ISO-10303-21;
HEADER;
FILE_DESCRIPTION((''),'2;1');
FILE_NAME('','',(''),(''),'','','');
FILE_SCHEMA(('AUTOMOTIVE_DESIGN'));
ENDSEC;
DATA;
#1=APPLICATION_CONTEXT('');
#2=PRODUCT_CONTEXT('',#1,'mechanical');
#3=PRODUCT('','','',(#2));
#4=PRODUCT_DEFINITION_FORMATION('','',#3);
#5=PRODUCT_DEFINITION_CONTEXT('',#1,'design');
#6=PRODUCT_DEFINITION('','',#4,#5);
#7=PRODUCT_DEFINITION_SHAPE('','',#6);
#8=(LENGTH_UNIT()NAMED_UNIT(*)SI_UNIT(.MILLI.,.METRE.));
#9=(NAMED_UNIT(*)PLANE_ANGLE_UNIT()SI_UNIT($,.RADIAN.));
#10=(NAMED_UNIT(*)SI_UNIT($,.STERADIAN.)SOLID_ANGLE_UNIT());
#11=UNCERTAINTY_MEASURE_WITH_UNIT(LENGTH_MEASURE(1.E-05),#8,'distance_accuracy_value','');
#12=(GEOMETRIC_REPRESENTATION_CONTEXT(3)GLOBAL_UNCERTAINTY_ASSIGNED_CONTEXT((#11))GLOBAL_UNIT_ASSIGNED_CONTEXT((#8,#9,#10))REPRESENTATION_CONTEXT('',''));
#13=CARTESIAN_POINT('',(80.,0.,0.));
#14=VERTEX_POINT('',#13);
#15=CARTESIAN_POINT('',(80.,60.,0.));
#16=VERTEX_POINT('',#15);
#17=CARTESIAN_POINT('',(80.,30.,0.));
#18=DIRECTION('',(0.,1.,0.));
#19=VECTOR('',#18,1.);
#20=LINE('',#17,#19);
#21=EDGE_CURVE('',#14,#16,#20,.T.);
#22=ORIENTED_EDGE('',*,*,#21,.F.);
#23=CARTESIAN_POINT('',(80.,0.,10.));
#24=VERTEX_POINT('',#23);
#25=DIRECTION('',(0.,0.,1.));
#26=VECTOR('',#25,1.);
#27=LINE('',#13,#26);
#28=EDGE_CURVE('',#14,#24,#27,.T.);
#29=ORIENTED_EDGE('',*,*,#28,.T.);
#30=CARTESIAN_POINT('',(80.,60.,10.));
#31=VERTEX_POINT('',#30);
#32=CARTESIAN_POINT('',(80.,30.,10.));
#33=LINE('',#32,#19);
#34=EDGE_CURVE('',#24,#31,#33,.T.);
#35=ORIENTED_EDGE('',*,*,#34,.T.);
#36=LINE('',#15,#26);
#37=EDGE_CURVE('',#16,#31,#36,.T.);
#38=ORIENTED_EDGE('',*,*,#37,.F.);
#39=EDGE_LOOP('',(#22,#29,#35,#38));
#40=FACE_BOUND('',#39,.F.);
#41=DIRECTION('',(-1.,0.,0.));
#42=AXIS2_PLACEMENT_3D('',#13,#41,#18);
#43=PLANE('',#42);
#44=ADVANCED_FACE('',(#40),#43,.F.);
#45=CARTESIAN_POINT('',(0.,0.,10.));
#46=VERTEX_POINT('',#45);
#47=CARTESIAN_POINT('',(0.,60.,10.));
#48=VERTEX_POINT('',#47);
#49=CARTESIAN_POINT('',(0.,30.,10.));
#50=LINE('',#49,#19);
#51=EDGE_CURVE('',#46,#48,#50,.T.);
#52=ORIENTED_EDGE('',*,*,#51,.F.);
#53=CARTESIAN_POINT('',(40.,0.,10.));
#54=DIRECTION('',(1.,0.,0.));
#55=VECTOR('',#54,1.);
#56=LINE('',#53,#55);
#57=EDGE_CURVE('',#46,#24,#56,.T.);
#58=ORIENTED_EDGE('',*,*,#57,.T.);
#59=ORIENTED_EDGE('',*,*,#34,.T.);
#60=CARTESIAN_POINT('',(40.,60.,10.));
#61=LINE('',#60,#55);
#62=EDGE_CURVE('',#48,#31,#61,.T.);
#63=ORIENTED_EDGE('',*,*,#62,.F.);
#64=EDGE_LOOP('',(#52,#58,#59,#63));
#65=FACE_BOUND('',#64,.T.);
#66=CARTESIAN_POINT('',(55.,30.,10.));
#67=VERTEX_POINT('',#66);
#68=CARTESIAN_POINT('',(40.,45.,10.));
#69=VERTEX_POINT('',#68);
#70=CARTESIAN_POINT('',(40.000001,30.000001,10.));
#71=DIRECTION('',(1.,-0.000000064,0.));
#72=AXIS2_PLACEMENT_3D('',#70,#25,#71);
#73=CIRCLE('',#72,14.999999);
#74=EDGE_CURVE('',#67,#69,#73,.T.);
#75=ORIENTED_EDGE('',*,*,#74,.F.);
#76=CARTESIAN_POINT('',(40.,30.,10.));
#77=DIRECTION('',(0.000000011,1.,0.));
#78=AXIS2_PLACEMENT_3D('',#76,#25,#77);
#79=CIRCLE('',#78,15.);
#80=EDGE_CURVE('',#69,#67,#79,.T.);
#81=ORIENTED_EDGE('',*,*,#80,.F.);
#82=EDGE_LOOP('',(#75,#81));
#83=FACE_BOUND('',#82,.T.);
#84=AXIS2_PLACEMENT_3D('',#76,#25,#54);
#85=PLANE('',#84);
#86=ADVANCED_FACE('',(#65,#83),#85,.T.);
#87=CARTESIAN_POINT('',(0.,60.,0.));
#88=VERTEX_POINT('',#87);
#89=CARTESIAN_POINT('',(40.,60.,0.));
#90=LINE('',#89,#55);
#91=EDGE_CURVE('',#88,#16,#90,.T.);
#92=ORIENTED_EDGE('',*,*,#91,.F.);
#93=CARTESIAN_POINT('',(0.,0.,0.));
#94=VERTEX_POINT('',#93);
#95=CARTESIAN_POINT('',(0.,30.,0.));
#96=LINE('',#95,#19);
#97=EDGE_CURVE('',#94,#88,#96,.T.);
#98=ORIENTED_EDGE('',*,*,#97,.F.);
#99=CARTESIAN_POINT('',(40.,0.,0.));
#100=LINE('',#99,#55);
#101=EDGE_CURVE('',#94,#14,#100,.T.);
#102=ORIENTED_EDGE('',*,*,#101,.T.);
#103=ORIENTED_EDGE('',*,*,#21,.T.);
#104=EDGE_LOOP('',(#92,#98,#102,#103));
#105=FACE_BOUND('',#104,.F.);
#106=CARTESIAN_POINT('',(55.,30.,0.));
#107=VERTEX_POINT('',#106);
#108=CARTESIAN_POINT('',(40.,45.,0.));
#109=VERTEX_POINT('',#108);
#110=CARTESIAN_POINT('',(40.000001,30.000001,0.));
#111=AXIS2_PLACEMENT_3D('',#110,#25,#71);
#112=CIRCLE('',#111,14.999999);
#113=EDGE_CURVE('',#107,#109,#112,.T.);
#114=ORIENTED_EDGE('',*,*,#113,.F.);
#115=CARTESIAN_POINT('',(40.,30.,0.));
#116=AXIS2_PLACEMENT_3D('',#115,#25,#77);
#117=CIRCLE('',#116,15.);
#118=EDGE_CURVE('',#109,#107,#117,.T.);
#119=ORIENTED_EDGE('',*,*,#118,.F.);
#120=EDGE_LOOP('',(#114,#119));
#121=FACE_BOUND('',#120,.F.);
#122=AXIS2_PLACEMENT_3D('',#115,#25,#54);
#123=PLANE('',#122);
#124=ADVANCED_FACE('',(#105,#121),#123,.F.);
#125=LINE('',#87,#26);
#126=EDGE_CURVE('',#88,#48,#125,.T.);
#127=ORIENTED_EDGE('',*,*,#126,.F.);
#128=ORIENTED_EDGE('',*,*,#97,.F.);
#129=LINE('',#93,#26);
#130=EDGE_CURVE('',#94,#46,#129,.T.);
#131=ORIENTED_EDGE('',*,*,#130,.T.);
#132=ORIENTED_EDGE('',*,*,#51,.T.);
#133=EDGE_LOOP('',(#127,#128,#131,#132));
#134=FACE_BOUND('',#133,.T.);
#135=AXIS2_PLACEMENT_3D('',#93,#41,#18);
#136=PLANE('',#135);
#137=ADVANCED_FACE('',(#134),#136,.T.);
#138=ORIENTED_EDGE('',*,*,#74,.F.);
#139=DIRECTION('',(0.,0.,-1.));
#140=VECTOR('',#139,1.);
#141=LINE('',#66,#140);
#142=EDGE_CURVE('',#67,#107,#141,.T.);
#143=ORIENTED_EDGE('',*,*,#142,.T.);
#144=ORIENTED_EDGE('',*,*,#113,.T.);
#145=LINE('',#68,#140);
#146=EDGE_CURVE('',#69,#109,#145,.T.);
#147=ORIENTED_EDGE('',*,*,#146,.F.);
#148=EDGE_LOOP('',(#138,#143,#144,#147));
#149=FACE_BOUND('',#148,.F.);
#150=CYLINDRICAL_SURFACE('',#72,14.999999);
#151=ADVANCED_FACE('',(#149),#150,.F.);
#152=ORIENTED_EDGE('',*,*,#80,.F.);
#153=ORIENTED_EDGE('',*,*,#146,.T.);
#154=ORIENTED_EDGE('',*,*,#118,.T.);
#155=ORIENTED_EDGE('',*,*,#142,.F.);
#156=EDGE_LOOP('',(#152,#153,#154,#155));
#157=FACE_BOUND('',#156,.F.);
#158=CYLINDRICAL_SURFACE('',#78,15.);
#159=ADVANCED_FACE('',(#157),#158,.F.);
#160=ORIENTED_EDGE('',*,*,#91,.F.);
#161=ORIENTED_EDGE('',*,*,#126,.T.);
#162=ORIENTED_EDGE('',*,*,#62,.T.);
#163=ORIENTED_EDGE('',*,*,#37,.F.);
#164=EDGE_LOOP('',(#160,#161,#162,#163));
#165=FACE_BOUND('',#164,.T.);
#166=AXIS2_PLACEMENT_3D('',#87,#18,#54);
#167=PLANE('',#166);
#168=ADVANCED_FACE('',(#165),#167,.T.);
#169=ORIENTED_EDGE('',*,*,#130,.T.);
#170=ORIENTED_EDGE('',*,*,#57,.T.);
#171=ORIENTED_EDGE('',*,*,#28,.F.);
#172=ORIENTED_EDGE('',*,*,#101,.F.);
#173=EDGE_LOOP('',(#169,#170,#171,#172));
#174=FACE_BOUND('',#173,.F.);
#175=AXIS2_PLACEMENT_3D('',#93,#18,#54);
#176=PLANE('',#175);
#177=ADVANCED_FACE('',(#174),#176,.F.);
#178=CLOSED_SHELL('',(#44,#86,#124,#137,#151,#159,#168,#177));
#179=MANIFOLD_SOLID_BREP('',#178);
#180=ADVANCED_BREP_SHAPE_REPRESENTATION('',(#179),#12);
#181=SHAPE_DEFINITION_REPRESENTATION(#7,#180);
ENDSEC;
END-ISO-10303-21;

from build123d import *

# Parameters (mm, degrees)
F0_W     = 80
F0_H     = 60
F1_DEPTH = 10
F3_DEPTH = 10.001


with BuildPart() as f1:
    # F0 (on Top) → F1 (new body)
    with BuildSketch(Plane.XY):
        with Locations((40, 30)):
            Rectangle(F0_W, F0_H)
    extrude(amount=F1_DEPTH)

    # F2 (on face) → F3 (cut, through all)
    with BuildSketch(Plane.XY.offset(10)):
        with BuildLine():
            ThreePointArc((40, 45), (29.393398, 19.393398), (55, 30))
            ThreePointArc((55, 30), (50.606602, 40.606602), (40, 45))
        make_face()
        with BuildLine():
            ThreePointArc((55, 30), (50.606602, 40.606602), (40, 45))
            ThreePointArc((40, 45), (29.393398, 19.393398), (55, 30))
        make_face()
    extrude(amount=-F3_DEPTH, mode=Mode.SUBTRACT)


solid = f1.part
